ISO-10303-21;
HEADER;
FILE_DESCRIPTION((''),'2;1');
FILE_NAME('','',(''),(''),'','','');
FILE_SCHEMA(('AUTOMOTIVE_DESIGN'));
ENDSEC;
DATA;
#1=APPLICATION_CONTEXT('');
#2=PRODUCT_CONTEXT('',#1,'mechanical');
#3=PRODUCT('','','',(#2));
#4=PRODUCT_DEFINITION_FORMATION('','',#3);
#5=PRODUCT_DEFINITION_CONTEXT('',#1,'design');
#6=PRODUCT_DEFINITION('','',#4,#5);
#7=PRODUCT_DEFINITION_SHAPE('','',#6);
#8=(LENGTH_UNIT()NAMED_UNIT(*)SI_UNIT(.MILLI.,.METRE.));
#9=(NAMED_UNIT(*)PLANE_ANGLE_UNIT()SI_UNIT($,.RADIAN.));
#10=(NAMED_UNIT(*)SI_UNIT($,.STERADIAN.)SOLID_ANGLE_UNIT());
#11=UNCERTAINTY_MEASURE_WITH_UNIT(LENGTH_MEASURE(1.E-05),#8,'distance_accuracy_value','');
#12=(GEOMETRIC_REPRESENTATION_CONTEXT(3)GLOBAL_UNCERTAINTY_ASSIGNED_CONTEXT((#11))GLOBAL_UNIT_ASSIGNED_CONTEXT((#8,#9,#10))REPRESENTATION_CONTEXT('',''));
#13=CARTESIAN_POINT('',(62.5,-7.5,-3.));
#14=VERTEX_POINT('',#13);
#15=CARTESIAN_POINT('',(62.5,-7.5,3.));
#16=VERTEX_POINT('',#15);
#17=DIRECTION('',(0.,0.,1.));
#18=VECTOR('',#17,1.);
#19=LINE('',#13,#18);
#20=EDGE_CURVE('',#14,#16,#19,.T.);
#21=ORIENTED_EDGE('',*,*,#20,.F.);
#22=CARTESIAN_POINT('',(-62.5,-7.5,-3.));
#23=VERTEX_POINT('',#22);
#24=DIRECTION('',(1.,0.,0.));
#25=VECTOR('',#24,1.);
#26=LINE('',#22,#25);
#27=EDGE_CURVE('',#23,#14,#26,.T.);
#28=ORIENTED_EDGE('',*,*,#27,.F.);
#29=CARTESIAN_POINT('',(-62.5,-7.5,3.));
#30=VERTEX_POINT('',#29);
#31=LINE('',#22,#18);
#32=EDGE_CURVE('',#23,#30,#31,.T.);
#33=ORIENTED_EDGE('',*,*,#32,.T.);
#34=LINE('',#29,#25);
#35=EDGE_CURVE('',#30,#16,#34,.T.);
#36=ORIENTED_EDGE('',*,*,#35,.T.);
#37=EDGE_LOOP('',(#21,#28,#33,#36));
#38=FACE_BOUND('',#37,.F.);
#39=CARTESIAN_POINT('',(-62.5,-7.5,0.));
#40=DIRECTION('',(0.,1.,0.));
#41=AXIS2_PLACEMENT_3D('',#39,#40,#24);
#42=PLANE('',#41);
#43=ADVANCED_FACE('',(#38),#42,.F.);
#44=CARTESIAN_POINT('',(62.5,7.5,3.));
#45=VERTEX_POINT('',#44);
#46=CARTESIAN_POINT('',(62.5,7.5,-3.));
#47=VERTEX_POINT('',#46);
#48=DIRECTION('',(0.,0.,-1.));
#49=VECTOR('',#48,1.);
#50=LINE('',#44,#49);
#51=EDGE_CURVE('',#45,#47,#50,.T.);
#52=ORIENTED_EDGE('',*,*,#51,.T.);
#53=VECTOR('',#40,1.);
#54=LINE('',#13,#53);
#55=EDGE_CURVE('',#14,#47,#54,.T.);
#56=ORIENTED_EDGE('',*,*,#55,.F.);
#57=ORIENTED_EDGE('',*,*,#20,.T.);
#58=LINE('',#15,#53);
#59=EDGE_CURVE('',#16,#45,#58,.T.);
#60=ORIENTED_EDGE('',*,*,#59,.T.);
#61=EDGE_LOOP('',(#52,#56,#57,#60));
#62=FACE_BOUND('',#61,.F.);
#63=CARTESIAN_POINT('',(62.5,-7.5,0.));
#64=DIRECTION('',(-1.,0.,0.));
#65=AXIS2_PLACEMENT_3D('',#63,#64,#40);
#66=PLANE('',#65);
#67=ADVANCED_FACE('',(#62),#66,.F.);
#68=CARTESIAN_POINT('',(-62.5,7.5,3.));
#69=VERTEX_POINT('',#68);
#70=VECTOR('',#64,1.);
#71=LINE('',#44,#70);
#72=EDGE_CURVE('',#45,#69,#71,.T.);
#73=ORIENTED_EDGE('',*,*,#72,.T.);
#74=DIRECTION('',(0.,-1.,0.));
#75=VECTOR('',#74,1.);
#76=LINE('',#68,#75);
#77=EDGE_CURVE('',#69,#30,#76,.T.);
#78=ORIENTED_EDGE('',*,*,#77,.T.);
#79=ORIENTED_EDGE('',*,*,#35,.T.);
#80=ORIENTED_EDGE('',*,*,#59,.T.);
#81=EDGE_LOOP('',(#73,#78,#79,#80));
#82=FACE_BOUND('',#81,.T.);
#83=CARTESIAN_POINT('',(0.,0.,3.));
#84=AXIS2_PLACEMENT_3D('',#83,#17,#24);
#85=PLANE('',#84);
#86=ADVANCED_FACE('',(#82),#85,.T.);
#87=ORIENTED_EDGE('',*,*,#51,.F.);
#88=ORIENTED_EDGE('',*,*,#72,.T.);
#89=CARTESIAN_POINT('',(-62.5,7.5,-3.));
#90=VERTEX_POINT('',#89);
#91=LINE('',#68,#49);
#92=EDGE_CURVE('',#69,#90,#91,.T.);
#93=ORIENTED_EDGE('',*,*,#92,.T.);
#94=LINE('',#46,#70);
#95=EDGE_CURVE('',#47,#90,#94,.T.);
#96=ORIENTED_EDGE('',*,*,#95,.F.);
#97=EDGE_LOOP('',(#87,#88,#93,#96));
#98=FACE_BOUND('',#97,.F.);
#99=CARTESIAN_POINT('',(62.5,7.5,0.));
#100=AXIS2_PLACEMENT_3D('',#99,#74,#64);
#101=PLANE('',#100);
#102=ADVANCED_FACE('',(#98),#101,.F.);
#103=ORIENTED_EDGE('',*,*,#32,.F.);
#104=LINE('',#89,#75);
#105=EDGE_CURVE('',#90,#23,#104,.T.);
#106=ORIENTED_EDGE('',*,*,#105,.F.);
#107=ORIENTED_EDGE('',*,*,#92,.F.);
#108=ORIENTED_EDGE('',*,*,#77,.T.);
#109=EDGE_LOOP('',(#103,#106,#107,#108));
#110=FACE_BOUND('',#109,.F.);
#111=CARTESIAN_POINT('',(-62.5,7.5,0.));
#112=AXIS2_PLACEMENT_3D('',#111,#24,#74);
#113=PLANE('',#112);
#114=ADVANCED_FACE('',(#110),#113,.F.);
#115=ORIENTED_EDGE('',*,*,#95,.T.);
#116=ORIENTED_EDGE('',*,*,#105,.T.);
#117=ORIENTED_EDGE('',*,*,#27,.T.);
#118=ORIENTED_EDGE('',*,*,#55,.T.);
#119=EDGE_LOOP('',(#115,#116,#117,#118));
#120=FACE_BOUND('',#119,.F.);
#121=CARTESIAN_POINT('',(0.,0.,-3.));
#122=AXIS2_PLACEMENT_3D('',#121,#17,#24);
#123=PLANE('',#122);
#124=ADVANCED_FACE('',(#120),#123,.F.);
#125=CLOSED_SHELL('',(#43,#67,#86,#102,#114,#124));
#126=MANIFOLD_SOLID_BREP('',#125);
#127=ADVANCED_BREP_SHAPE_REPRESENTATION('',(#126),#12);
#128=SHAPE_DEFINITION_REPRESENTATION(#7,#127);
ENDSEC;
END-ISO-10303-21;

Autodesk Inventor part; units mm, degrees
ref_plane "YZ Plane" through (0, 0, 0) normal (1, 0, 0) x (0, 1, 0)
ref_plane "XZ Plane" through (0, 0, 0) normal (0, 1, 0) x (-1, 0, 0)
ref_plane "XY Plane" through (0, 0, 0) normal (0, 0, 1) x (1, 0, 0)
sketch "草圖1" plane through (0, 0, 0) normal (0, 0, 1) x (1, 0, 0)
  line L0 (0, 0) -> (-46.9602, 0) construction
  line L1 (0, 0) -> (0, 45.4619) construction
  line L2 (-62.5, -7.5) -> (62.5, -7.5)
  line L3 (62.5, -7.5) -> (62.5, 7.5)
  line L4 (62.5, 7.5) -> (-62.5, 7.5)
  line L5 (-62.5, 7.5) -> (-62.5, -7.5)
  line L6 (-62.5, -7.5) -> (62.5, 7.5) construction
  line L7 (62.5, -7.5) -> (-62.5, 7.5) construction
  dimension "d0" = 15
  dimension "d1" = 125
extrude "擠出1" add sketch "草圖1" along normal mid plane 6
properties part number "0 零件" material "橡膠"
